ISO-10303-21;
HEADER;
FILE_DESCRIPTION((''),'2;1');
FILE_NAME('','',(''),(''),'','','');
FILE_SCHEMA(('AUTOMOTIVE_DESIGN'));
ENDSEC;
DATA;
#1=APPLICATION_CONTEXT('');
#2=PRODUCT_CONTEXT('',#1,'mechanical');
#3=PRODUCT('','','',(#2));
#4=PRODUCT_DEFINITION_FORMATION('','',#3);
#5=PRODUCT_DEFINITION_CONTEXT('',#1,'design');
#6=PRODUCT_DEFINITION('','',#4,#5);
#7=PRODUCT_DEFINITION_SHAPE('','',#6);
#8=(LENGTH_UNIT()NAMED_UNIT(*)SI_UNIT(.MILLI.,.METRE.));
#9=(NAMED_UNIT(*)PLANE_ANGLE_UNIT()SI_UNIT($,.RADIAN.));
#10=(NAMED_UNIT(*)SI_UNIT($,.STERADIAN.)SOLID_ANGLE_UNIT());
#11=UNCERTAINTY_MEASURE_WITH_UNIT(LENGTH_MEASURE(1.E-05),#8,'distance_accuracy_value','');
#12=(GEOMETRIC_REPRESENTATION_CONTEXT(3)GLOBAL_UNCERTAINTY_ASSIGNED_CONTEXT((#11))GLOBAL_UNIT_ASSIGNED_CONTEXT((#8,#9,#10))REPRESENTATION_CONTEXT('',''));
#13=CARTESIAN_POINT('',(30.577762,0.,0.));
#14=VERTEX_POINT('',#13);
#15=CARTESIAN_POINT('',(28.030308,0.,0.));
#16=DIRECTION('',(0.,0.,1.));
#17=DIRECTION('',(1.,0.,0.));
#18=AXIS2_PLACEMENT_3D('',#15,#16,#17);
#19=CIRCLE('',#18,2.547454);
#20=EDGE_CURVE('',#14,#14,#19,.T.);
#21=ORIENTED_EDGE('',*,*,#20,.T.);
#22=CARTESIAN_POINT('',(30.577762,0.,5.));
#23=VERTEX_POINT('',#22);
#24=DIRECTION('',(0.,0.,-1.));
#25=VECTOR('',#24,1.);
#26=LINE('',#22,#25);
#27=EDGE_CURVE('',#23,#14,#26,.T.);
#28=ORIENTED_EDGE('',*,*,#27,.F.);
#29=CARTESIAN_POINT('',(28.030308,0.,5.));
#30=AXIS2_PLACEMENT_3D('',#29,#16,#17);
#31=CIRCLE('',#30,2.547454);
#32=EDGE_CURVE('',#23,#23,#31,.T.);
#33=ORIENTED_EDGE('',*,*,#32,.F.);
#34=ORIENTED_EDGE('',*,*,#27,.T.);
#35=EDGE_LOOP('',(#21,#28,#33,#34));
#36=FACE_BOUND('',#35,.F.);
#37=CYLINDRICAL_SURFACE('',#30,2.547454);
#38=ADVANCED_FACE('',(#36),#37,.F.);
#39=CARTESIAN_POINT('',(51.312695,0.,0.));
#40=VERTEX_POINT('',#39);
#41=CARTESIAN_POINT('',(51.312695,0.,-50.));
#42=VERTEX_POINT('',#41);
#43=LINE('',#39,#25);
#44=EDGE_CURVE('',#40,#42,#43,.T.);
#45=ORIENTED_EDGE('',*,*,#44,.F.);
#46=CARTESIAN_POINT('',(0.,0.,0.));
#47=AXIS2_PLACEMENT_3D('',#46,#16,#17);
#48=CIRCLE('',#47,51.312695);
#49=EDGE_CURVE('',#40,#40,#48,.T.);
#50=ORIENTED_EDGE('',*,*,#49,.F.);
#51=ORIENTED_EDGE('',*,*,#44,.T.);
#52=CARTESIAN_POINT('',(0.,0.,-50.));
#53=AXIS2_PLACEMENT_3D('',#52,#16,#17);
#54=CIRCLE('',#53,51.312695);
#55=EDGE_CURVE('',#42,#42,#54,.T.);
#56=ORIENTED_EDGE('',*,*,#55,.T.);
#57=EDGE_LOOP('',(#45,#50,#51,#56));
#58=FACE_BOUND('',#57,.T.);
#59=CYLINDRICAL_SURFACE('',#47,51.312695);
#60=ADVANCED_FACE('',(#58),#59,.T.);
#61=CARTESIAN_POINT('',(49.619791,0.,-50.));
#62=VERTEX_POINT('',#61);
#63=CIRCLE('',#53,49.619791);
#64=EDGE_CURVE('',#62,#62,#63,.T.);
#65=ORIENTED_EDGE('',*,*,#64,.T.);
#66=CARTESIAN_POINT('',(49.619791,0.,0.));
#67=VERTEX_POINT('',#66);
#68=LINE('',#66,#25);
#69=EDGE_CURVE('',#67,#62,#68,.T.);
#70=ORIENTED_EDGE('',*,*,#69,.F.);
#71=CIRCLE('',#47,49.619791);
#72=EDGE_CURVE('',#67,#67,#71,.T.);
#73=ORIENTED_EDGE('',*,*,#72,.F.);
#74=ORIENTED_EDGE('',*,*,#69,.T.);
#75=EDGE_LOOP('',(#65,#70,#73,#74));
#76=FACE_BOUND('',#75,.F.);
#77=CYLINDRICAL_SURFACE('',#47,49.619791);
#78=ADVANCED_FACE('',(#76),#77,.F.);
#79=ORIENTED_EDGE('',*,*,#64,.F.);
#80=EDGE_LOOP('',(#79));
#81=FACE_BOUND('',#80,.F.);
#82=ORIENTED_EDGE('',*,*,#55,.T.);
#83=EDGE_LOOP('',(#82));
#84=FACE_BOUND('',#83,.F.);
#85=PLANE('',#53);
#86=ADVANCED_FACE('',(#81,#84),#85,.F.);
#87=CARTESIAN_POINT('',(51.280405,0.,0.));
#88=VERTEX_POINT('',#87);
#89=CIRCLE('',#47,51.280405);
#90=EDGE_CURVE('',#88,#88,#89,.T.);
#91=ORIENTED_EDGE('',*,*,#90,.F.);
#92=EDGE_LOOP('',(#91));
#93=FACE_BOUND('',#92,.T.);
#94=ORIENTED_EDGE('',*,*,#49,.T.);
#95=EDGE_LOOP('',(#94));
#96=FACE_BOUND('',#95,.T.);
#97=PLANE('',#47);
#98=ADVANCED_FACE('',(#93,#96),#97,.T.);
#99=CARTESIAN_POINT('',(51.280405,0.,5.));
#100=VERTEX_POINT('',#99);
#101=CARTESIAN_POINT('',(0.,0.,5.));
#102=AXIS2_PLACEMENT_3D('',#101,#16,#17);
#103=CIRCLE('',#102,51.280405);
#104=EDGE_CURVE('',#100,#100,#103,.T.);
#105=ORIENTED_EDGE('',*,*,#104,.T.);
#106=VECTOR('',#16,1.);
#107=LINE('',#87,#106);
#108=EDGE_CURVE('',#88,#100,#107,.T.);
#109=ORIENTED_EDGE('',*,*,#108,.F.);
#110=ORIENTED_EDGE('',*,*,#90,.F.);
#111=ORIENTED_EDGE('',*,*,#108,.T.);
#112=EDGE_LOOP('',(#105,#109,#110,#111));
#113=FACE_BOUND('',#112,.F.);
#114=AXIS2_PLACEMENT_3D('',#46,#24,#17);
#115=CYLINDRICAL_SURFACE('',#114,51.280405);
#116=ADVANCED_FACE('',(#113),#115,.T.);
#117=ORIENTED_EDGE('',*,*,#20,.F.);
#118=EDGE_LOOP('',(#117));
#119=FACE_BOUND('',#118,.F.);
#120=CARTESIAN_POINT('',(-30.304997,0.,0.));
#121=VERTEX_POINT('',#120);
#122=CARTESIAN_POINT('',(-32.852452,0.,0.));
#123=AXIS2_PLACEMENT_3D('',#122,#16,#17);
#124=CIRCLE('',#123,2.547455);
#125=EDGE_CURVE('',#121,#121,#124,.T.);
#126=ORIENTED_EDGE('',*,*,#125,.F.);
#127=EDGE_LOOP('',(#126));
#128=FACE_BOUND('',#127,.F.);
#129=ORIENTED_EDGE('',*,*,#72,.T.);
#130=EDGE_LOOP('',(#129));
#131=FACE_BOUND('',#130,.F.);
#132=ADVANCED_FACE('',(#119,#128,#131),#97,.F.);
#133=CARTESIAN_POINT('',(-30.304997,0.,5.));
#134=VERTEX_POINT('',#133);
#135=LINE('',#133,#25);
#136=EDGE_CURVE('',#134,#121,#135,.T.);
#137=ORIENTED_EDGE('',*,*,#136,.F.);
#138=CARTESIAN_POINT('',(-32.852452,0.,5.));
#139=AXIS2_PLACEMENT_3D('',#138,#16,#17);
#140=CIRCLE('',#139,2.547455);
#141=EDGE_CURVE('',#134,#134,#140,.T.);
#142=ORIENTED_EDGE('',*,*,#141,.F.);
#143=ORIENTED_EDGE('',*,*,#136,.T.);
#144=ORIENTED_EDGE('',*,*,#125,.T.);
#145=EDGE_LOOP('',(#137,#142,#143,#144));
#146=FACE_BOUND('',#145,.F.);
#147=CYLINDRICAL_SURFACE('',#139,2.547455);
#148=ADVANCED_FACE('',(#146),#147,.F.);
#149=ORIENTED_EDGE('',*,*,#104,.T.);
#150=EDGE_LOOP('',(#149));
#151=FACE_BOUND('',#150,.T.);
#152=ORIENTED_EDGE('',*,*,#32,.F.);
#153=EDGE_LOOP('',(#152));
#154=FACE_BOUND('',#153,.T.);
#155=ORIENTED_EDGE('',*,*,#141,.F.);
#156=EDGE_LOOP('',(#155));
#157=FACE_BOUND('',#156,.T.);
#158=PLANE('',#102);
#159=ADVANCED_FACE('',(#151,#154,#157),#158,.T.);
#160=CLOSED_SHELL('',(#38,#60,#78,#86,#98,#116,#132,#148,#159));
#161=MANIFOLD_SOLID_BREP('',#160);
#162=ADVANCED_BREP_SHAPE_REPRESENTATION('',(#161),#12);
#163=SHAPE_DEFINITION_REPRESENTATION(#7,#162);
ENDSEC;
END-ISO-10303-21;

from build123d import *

# Parameters (mm, degrees)
F0_R      = 51.312695
F0_R_2    = 49.619791
F1_DEPTH  = 50
F2_R      = 51.280405
F3_DEPTH  = 5
F3_FACE_R = 51.280405
F4_DEPTH  = 5
F5_R      = 2.547455
F5_R_2    = 2.547454
F6_DEPTH  = 55.001


with BuildPart() as f1:
    # F0 (on Top) → F1 (new body)
    with BuildSketch(Plane.XY):
        Circle(F0_R)
        Circle(F0_R_2, mode=Mode.SUBTRACT)
    extrude(amount=-F1_DEPTH)

    # F2 (on Top) → F3 (join)
    with BuildSketch(Plane.XY):
        Circle(F2_R)
    extrude(amount=F3_DEPTH)

    # F3_face (on face) → F4 (join)
    with BuildSketch(Plane.XY.offset(5)):
        Circle(F3_FACE_R)
    extrude(amount=-F4_DEPTH)

    # F5 (on face) → F6 (cut, through all)
    with BuildSketch(Plane.XY.offset(5)):
        with Locations((-32.852452, 0)):
            Circle(F5_R)
        with Locations((28.030308, 0)):
            Circle(F5_R_2)
    extrude(amount=-F6_DEPTH, mode=Mode.SUBTRACT)


solid = f1.part
